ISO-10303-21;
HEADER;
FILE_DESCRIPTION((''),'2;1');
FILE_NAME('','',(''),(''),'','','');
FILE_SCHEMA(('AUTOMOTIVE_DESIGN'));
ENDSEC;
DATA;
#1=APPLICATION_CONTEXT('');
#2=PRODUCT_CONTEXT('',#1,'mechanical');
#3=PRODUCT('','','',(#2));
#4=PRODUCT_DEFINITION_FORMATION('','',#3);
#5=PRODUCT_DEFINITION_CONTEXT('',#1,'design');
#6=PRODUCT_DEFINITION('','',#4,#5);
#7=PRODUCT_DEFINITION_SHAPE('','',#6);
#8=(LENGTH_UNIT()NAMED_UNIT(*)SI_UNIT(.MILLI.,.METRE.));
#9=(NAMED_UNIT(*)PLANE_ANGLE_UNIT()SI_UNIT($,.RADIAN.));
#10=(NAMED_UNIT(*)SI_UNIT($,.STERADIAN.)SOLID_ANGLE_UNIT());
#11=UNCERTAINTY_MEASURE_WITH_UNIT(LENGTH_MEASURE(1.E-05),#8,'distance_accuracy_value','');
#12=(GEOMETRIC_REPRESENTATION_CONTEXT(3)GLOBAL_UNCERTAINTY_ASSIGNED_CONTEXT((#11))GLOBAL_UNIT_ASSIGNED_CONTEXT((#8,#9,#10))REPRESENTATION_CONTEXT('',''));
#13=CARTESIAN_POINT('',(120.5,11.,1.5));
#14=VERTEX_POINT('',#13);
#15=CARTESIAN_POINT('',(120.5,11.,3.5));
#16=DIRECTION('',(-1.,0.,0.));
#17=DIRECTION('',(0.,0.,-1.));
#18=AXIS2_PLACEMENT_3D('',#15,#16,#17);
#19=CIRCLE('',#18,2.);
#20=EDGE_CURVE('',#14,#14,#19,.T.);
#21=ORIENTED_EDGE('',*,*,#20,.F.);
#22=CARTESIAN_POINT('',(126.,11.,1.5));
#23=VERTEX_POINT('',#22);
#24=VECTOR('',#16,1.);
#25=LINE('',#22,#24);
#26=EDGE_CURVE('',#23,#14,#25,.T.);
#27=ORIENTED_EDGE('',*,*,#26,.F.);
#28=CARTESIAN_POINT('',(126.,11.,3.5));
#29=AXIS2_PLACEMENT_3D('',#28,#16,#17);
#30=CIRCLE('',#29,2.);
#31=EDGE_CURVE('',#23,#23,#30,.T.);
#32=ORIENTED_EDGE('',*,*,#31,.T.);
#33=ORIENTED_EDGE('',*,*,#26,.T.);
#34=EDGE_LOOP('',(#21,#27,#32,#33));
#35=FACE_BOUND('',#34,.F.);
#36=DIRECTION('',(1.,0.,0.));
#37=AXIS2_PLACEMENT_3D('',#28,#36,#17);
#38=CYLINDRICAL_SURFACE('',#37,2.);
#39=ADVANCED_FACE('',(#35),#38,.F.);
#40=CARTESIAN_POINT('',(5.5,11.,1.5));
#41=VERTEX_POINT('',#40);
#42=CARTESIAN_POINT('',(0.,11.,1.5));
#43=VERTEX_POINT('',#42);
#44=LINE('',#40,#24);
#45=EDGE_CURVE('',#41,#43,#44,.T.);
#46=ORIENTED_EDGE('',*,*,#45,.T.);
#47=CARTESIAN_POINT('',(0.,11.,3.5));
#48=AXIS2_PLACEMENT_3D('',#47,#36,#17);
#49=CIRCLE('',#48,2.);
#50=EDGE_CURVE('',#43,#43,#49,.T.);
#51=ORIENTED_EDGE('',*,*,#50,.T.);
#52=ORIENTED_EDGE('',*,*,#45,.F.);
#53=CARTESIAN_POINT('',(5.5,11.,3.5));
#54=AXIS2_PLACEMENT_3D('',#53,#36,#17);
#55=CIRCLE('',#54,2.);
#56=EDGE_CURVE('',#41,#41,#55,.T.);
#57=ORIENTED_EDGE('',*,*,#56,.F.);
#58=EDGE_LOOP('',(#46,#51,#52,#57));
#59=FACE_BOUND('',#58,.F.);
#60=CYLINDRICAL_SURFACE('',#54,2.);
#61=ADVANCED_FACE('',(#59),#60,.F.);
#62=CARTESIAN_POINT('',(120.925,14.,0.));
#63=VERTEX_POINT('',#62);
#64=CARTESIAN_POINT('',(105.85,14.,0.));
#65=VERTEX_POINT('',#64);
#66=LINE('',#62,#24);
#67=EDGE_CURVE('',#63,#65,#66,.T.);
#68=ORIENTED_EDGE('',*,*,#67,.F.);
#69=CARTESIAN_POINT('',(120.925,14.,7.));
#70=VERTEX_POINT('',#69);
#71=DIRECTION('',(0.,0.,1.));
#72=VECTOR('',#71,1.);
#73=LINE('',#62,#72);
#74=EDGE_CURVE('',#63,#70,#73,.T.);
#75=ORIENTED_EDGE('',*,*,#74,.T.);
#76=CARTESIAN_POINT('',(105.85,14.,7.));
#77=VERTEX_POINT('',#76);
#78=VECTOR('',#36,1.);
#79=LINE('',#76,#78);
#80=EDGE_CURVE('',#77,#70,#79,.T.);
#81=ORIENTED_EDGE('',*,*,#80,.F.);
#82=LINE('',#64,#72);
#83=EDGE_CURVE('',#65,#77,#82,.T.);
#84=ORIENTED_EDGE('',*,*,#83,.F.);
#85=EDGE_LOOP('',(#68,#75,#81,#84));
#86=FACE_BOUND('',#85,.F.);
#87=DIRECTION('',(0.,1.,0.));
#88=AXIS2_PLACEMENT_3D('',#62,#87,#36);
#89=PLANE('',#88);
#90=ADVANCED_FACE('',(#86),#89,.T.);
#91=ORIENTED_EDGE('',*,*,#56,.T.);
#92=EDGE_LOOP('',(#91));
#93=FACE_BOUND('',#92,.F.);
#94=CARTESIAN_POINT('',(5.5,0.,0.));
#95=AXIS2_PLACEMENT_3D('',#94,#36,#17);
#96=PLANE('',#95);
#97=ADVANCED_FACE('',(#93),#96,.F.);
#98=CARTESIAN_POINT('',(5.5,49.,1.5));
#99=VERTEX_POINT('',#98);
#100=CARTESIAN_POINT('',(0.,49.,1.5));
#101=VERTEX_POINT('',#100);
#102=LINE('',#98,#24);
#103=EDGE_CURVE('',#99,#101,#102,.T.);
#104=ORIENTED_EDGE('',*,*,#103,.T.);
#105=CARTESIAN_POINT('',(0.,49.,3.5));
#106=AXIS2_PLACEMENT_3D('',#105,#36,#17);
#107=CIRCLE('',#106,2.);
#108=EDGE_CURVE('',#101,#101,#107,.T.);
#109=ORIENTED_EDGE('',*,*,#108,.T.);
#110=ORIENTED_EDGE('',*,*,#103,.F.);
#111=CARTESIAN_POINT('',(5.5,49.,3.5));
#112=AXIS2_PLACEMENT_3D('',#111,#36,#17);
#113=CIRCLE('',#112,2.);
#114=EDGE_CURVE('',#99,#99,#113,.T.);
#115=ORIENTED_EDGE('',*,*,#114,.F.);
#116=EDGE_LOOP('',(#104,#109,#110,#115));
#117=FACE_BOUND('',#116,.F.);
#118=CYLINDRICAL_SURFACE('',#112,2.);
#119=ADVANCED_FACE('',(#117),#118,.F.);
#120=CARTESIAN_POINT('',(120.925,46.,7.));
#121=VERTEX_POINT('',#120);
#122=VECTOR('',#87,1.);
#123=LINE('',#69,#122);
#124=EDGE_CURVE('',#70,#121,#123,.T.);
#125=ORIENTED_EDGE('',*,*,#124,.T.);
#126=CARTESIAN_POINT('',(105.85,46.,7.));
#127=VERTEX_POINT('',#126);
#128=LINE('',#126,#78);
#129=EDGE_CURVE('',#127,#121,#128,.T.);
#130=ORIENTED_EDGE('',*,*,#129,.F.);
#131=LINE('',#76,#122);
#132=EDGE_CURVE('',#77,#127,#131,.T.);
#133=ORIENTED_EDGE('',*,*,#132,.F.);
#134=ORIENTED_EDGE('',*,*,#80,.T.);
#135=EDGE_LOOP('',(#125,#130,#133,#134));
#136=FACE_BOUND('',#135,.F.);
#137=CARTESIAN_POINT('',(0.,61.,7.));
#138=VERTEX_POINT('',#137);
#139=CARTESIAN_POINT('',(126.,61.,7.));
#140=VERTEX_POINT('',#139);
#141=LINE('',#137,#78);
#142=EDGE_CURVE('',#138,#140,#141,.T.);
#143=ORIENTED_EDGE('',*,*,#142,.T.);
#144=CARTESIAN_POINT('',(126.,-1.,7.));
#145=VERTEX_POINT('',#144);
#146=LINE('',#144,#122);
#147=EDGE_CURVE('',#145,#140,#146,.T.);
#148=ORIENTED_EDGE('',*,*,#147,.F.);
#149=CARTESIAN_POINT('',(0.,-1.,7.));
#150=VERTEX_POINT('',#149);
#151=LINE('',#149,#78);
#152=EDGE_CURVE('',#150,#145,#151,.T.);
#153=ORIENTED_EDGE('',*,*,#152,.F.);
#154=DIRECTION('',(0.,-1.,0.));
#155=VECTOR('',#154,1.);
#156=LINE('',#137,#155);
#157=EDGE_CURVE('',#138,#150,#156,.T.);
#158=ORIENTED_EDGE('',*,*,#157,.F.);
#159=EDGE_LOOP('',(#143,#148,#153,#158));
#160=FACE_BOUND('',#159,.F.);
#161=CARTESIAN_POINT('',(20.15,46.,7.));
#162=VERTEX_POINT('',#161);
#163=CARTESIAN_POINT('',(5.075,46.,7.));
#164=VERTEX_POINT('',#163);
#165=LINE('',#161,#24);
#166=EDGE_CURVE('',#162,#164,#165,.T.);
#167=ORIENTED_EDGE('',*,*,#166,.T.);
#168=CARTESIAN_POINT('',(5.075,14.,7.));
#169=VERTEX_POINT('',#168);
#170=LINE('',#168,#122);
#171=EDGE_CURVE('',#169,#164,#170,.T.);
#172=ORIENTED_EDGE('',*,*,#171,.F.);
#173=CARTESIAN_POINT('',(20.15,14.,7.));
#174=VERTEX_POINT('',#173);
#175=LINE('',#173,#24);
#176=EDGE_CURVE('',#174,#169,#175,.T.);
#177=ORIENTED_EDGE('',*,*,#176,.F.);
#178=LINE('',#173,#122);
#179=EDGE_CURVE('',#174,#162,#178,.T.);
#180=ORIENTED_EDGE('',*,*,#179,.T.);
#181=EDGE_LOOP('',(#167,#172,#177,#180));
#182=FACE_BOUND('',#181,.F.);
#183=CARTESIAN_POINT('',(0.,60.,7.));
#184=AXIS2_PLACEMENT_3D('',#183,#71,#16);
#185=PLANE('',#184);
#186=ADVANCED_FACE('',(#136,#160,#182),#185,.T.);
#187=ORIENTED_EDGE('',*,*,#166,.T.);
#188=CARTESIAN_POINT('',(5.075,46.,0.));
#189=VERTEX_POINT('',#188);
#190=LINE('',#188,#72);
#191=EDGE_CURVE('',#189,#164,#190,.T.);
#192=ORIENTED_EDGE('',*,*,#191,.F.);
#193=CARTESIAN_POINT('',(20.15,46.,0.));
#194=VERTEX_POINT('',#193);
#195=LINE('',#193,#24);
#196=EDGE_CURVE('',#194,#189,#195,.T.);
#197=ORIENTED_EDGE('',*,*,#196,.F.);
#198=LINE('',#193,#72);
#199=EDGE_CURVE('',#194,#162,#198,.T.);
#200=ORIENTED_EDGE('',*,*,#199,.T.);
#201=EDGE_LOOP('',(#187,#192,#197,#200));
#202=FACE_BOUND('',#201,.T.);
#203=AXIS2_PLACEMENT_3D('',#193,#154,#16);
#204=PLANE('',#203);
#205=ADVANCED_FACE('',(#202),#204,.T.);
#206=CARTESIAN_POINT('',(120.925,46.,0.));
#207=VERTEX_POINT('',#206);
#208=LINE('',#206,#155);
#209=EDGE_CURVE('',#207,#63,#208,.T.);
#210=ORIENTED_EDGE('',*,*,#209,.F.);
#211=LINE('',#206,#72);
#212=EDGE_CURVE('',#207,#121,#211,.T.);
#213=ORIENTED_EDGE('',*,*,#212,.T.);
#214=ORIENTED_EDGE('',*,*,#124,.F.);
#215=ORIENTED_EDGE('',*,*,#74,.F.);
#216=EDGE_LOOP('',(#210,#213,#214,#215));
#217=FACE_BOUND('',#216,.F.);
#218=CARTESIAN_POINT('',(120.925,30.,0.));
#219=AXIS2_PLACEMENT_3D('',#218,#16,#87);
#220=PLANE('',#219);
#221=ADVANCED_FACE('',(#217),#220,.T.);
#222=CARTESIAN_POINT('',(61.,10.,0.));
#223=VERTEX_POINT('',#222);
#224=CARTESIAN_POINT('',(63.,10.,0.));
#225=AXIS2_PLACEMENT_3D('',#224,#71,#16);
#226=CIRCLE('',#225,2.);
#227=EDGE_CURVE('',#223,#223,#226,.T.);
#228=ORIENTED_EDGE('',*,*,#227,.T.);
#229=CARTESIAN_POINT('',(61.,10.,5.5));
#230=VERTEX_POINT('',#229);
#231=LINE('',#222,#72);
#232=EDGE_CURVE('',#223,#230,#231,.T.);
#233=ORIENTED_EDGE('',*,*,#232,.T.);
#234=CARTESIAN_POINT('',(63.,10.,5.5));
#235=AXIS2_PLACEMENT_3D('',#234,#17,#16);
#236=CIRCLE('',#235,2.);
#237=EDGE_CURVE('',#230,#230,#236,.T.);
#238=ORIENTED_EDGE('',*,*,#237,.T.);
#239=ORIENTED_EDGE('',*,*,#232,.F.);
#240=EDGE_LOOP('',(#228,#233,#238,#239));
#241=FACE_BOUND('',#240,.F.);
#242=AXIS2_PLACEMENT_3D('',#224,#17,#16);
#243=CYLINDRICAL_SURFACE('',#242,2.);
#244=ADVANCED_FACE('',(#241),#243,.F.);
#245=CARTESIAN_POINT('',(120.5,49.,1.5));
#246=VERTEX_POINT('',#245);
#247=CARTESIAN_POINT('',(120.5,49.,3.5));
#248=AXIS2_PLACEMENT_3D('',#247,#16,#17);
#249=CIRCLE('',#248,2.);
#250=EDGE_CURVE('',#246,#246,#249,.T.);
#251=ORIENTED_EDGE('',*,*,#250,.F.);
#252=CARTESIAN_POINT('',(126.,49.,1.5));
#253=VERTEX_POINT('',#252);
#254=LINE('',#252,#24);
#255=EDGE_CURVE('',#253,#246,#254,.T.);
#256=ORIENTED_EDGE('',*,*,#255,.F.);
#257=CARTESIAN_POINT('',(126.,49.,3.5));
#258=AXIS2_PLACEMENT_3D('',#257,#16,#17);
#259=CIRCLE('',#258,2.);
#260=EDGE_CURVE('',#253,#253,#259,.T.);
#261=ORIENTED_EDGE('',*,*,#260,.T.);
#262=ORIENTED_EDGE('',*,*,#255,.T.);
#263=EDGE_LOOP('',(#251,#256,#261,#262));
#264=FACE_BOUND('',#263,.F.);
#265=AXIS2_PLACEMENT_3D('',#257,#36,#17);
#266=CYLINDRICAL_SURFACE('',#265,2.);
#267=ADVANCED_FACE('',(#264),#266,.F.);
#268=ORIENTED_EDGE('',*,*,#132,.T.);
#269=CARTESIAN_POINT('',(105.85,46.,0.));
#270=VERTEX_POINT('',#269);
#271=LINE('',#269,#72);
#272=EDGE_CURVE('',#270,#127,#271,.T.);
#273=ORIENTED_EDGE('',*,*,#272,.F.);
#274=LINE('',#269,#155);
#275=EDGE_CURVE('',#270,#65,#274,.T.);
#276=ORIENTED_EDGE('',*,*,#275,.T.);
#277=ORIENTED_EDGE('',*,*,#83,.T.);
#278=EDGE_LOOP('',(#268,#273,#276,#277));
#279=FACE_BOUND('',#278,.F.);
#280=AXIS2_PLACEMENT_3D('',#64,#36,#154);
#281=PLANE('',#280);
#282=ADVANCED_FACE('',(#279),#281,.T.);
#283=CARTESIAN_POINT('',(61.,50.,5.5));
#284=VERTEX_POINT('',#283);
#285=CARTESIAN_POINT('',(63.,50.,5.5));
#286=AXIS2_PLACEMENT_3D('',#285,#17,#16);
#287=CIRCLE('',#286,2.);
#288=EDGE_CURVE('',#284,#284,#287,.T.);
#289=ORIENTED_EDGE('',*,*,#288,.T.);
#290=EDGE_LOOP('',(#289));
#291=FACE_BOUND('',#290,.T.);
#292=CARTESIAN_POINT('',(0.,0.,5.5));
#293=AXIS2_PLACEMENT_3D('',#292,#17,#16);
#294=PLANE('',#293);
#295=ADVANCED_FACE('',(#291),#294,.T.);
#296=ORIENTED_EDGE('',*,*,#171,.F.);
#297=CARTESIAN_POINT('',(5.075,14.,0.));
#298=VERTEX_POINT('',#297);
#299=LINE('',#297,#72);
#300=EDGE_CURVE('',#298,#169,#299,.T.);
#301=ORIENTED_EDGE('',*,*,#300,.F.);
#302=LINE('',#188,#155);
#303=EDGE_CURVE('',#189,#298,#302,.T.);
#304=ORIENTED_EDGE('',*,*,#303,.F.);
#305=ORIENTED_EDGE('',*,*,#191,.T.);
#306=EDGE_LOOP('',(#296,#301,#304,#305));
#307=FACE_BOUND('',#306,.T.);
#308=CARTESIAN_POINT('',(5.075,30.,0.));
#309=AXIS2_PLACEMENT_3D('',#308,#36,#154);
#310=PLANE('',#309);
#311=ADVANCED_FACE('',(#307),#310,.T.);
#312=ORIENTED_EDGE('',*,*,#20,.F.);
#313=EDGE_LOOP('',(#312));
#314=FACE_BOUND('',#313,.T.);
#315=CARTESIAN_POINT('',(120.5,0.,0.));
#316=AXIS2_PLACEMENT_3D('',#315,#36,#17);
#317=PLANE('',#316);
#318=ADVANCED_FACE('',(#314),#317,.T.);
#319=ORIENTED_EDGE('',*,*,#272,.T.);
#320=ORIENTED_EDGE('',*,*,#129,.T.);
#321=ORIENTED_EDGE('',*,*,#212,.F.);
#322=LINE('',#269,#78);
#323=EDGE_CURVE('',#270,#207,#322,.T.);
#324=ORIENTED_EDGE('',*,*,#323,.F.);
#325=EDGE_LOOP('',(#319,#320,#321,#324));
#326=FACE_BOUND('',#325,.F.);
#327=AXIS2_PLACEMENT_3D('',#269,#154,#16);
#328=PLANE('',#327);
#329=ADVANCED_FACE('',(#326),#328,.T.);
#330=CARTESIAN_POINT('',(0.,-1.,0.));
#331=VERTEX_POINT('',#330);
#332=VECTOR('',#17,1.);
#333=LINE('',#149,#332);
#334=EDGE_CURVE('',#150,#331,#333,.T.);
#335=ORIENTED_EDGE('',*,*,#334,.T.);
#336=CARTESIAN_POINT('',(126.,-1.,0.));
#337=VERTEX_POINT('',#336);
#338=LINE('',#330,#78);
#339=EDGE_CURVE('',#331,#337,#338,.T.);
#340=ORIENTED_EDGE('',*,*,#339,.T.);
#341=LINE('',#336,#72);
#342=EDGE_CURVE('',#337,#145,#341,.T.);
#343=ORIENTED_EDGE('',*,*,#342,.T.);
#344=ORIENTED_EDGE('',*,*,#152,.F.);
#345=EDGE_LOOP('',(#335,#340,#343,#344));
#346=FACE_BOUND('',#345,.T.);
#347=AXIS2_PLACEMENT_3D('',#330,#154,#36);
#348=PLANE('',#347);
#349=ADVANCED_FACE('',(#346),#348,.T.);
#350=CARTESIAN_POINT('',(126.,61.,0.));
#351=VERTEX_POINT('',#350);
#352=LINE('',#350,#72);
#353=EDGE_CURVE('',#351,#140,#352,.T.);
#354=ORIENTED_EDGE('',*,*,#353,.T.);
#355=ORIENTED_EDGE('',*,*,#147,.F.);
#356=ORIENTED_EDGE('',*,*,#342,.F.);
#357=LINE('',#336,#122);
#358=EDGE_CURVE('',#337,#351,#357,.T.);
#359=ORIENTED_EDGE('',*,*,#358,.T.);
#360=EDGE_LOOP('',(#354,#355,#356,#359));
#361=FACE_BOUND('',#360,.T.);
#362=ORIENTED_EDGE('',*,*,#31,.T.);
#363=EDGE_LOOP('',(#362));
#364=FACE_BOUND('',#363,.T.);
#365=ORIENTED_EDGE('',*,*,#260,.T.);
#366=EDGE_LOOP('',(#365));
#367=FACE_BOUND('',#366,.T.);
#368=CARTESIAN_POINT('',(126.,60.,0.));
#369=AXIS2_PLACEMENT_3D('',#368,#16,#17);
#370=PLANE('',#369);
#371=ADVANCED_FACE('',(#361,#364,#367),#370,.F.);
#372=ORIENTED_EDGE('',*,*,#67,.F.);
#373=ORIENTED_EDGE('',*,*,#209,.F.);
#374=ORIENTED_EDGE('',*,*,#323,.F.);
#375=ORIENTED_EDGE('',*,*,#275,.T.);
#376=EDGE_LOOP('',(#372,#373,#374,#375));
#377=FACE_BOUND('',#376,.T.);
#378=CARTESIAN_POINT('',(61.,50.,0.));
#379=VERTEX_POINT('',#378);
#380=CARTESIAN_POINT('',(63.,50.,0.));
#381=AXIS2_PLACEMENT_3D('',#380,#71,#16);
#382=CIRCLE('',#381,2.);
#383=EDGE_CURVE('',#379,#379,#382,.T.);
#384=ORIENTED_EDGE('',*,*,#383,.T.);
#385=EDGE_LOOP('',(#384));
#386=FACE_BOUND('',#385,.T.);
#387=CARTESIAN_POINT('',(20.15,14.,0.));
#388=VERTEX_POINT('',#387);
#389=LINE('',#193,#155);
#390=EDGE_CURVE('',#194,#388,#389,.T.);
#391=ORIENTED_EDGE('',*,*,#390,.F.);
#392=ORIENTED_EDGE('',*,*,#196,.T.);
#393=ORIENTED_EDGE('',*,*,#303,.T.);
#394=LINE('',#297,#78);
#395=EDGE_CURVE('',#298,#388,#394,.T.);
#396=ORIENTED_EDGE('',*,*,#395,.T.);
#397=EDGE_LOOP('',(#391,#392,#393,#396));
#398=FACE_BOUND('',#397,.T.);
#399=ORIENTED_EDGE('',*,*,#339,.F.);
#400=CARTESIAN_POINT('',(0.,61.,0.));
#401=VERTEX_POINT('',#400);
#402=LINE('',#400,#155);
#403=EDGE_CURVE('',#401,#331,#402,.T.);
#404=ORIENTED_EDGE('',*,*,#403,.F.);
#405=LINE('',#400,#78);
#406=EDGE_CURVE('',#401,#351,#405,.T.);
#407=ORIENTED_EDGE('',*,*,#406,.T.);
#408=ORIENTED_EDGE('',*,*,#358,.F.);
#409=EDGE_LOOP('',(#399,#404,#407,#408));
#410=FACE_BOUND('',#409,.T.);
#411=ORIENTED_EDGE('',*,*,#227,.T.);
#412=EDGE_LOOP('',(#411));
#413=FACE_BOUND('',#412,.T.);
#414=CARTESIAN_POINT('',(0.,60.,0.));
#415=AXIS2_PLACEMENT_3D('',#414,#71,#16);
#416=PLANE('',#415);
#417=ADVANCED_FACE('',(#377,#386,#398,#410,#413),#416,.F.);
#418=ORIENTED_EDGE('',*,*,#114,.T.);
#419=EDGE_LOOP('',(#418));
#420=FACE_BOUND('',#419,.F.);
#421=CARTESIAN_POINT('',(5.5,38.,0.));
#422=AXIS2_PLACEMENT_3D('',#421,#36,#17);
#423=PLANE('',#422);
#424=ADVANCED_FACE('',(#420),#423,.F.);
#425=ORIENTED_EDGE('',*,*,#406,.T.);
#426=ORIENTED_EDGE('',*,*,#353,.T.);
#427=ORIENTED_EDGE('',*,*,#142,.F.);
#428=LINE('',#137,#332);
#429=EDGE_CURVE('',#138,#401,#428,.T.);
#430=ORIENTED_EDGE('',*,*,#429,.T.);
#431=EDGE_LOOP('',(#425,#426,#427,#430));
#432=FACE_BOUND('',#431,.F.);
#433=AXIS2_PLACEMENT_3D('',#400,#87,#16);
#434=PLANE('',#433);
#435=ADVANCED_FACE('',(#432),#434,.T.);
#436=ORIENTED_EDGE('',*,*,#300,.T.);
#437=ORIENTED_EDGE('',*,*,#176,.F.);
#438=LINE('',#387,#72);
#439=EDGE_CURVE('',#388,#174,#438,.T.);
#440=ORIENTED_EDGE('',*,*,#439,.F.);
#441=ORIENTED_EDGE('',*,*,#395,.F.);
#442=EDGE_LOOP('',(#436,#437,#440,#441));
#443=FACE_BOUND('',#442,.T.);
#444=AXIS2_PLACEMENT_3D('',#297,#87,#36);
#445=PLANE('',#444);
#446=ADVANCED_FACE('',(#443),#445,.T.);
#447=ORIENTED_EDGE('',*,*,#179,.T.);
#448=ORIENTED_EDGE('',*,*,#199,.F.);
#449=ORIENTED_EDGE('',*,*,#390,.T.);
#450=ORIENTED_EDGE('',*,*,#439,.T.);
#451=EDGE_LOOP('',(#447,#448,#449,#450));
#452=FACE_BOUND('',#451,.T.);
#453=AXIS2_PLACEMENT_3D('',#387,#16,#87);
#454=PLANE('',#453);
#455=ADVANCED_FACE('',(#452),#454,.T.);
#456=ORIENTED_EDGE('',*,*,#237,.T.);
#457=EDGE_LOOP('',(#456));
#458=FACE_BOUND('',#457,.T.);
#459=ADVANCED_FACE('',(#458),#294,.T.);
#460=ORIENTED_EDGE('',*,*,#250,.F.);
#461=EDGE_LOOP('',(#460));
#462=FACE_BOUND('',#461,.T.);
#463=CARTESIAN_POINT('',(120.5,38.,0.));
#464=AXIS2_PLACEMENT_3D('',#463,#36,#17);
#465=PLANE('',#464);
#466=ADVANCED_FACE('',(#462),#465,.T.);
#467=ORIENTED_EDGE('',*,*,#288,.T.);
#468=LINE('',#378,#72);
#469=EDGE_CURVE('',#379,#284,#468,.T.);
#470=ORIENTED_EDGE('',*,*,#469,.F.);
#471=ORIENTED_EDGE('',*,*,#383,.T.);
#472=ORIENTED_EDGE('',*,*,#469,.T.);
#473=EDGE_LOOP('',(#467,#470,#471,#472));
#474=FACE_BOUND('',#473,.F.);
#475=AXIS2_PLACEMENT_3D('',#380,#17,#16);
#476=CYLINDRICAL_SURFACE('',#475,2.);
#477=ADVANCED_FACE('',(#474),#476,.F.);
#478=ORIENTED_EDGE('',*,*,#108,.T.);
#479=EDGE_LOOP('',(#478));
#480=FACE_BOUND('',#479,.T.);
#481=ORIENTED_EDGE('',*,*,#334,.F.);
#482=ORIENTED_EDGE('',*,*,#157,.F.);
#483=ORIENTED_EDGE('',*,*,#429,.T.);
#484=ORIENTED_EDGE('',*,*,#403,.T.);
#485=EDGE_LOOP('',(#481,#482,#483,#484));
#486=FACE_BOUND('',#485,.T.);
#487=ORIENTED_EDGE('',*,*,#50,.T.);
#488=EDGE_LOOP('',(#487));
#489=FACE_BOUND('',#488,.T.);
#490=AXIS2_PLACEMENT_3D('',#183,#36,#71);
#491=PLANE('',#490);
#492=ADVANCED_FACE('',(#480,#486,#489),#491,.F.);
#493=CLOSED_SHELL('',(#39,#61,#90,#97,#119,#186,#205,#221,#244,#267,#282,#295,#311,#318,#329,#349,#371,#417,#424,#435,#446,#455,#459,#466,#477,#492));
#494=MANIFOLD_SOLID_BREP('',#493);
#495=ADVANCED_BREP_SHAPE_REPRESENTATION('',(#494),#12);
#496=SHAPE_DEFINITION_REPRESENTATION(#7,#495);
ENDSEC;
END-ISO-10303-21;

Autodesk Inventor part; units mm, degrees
ref_plane "YZ Plane" through (0, 0, 0) normal (1, 0, 0) x (0, 1, 0)
ref_plane "XZ Plane" through (0, 0, 0) normal (0, 1, 0) x (-1, 0, 0)
sketch "Sketch2" plane through (0, 0, 0) normal (0, 0, 1) x (1, 0, 0)
  line L0 (0, 0) -> (126, 0)
  line L1 (126, 0) -> (126, 60)
  line L2 (126, 60) -> (0, 60)
  line L3 (0, 60) -> (0, 0)
  dimension "d1" = 126
  dimension "d2" = 60
extrude "Extrusion1" add sketch "Sketch2" along normal blind 7
sketch "Sketch3" plane through (126, 0, 0) normal (1, 0, 0) x (0, 0, -1)
  line L0 (0, 0) -> (-7, 0) projected
  line L1 (-3.5, 0) -> (-3.5, 11)
  circle A0 centre (-3.5, 11) radius 2
  dimension "d5" = 11
  dimension "d6" = 4
extrude "Extrusion2" cut sketch "Sketch3" against normal blind 5.5
pattern_linear "Rectangular Pattern1" count 2 spacing -120.5 along (1, 0, 0) count 2 spacing 38 along (0, 1, 0) of "Extrusion2"
sketch "Sketch4" plane through (0, 0, 0) normal (0, -1, 0) x (1, 0, 0)
  line L0 (0, 7) -> (126, 7) projected
  line L1 (0, 0) -> (126, 0)
  line L2 (126, 0) -> (126, 7)
  line L3 (126, 7) -> (0, 7)
  line L4 (0, 7) -> (0, 0)
ref_plane "Work Plane1" through (0, 30, 0) normal (0, -1, 0) x (1, 0, 0)
extrude "Extrusion3" add sketch "Sketch4" along normal blind 1
mirror "Mirror1" about plane through (0, 30, 0) normal (0, -1, 0) of "Extrusion3"
sketch "Sketch5" plane through (0, 0, 0) normal (0, 0, -1) x (-1, 0, 0)
  line L0 (0, 61) -> (-126, 61) projected
  line L1 (0, -1) -> (0, 61) projected
  line L2 (0, 30) -> (-63, 30)
  line L3 (-63, 50) -> (-63, 10)
  circle A0 centre (-63, 10) radius 2
  circle A1 centre (-63, 50) radius 2
  point P0 (0, 0)
  dimension "d17" = 40
  dimension "d18" = 4
extrude "Extrusion4" cut sketch "Sketch5" against normal blind 5.5
sketch "Sketch7" plane through (0, 0, 0) normal (0, 0, -1) x (-1, 0, 0)
  line L0 (0, -1) -> (0, 61) projected
  line L1 (0, 30) -> (-25.15, 30)
  line L2 (0, 30) -> (-5, 30)
  line L3 (-25.15, 30) -> (-20.15, 30)
  line L4 (-12.575, -1) -> (-12.575, 14)
  line L5 (-12.575, -1) -> (2.425, -1) construction
  line L6 (-5.075, 14) -> (-20.15, 14)
  line L7 (-20.15, 14) -> (-20.15, 46)
  line L8 (-20.15, 46) -> (-5.075, 46)
  line L9 (-5.075, 46) -> (-5.075, 14)
  point P0 (0, 0)
  dimension "d29" = 25.15
  dimension "d30" = 5
  dimension "d31" = 5
  dimension "d32" = 15
  dimension "d33" = 90
  dimension "d34" = 32
extrude "Extrusion6" cut sketch "Sketch7" against normal up to surface (7 mm away)
ref_plane "Work Plane2" through (63, -1, 0) normal (-1, 0, 0) x (0, 0, 1)
mirror "Mirror2" about plane through (63, -1, 0) normal (-1, 0, 0) of "Extrusion6"
properties part number "base3"
